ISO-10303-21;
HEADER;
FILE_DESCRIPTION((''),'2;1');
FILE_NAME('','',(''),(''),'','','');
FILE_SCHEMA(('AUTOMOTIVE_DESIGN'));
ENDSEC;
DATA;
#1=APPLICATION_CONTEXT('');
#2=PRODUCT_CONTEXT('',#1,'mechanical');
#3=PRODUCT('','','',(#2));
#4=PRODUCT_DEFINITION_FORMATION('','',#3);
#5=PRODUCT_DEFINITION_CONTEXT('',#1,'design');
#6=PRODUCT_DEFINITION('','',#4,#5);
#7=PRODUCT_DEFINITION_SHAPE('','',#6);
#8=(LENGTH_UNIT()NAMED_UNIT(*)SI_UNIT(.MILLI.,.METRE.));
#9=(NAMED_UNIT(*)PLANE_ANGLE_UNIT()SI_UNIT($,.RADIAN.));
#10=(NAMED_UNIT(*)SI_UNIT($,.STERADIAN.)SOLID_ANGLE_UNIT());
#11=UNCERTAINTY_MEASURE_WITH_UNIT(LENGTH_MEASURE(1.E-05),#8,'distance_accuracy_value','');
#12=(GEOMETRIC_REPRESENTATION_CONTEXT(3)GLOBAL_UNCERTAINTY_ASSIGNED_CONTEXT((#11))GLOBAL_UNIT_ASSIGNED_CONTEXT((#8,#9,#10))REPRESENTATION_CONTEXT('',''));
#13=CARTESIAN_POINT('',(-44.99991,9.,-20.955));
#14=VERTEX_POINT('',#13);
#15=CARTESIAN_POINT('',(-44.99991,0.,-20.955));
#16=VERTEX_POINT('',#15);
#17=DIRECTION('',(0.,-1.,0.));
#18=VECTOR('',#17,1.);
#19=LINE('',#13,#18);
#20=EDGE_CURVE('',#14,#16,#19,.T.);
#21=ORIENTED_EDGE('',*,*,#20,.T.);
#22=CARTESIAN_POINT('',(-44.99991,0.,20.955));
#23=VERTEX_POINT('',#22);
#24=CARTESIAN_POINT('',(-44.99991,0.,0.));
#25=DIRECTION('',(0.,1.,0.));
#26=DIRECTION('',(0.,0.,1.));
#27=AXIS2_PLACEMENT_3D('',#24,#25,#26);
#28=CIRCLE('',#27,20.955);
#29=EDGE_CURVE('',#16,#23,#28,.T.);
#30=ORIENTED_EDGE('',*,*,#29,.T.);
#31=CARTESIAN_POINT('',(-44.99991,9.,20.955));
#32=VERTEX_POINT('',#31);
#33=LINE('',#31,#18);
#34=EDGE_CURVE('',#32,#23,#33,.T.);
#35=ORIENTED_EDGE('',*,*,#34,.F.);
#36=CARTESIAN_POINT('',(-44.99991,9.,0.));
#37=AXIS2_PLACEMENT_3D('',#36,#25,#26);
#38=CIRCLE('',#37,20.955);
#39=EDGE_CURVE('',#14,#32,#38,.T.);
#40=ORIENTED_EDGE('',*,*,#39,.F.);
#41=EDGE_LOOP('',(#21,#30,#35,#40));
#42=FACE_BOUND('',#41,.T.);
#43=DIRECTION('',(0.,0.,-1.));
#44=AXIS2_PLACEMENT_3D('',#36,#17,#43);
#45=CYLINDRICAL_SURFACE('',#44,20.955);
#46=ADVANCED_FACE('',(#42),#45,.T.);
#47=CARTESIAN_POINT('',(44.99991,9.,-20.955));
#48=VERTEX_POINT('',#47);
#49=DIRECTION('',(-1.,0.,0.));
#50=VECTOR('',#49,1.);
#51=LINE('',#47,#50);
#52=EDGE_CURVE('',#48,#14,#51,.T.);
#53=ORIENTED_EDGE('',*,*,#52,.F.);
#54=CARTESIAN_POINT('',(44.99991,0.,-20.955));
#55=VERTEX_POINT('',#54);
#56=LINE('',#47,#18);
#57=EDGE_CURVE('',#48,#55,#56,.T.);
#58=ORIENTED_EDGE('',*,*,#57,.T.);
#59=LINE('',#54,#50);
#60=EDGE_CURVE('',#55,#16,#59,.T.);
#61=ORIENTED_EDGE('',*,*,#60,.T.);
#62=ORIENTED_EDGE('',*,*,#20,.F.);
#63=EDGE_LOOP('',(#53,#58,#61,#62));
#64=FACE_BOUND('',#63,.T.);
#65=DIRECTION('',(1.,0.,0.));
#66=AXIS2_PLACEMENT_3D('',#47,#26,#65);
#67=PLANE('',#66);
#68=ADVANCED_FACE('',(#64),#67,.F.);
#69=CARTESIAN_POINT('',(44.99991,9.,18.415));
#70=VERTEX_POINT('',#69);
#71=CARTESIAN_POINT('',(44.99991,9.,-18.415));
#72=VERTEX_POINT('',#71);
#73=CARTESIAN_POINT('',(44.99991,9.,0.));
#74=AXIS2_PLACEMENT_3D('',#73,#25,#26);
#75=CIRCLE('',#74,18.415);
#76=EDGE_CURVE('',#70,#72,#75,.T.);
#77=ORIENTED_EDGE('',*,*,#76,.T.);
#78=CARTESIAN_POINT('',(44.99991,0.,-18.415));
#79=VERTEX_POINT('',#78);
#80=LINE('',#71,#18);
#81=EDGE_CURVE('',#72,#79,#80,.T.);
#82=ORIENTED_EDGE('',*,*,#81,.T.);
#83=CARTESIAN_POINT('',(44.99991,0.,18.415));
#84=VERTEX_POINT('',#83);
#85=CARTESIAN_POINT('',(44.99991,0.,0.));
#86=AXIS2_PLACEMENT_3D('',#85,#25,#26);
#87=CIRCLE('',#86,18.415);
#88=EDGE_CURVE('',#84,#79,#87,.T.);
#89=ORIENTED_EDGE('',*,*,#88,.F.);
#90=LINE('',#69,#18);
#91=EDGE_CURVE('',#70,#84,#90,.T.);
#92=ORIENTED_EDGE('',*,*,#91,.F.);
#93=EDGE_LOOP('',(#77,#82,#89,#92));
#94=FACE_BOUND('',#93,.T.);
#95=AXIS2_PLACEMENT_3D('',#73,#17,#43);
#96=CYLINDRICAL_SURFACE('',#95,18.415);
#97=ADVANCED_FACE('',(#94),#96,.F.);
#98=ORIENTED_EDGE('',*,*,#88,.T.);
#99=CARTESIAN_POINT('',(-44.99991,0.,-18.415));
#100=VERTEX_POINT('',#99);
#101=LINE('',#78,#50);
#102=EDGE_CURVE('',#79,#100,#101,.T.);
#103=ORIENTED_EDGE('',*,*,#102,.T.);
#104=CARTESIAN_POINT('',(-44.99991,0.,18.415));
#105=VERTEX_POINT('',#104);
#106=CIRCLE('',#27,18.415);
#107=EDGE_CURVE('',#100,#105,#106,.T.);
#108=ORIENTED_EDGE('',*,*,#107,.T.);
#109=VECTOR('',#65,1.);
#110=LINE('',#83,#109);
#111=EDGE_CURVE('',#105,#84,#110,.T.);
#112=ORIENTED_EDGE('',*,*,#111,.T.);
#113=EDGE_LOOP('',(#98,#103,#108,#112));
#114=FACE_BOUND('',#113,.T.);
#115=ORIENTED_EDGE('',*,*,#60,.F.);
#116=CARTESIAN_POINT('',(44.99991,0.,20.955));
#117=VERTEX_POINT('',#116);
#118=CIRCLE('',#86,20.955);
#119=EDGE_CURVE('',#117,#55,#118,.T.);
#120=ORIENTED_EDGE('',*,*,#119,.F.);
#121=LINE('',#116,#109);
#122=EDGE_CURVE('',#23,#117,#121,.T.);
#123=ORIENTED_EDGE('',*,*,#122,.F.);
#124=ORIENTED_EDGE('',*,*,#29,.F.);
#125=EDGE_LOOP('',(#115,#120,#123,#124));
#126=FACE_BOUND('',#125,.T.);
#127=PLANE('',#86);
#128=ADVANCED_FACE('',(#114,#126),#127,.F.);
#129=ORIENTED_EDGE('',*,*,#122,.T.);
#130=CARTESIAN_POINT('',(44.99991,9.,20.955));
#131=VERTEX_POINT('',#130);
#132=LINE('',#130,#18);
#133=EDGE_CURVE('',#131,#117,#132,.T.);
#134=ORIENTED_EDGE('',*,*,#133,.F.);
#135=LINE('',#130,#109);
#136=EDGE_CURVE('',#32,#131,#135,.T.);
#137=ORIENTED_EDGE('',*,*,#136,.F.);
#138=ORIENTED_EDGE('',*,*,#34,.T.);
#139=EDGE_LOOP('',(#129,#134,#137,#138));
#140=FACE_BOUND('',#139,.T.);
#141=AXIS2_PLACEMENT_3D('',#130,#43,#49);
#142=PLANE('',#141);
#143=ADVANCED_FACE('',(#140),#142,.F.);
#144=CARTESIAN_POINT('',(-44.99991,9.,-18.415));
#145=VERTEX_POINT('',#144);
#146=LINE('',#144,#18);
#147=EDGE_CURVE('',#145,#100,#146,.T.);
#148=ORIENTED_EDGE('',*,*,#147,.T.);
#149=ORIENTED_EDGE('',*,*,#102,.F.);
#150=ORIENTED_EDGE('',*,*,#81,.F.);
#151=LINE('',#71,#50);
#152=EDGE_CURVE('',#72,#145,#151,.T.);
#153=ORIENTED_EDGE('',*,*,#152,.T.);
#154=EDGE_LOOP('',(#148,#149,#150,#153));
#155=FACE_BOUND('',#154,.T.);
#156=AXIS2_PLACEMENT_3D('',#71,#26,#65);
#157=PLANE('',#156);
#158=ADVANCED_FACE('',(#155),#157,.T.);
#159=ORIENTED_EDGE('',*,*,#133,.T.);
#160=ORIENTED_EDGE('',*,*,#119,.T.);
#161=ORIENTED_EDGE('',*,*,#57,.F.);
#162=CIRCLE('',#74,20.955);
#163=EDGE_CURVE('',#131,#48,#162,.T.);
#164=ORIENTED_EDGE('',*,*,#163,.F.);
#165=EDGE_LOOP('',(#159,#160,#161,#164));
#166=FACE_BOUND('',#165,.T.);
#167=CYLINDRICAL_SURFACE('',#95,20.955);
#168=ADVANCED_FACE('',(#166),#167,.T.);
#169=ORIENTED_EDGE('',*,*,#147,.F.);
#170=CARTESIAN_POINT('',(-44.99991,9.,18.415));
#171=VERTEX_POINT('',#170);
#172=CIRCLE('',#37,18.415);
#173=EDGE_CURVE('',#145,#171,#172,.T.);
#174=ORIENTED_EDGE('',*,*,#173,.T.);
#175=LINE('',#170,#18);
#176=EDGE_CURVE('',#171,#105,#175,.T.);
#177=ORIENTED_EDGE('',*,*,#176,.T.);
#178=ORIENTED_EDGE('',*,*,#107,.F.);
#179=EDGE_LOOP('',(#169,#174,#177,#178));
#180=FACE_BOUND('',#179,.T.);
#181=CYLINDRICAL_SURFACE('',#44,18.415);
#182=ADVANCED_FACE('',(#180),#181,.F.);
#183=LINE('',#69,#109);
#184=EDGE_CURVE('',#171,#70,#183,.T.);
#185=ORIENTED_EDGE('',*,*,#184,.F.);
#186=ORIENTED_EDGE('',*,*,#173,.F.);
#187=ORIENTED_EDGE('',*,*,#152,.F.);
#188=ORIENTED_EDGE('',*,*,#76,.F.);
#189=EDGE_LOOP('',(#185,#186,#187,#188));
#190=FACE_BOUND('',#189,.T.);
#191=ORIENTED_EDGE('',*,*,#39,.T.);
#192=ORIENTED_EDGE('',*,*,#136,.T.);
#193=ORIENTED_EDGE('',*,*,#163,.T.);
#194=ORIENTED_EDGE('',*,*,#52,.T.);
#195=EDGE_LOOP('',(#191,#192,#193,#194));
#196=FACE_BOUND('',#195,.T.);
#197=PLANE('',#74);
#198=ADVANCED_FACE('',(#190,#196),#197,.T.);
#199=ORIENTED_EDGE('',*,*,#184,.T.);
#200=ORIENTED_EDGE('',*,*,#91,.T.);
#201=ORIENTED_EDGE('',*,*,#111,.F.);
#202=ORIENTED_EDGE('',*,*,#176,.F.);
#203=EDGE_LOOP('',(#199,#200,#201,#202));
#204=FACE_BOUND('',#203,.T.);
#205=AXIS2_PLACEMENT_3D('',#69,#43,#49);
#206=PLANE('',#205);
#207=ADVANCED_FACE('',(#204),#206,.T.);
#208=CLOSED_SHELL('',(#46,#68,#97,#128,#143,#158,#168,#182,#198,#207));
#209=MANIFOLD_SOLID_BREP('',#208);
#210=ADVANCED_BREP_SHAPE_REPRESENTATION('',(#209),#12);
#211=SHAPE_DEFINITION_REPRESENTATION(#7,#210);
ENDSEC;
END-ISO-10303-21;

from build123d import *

# Parameters (mm, degrees)
BOSS_EXTRUDE1_DEPTH = 9


with BuildPart() as part:
    # Sketch1 → Boss-Extrude1 (new body)
    with BuildSketch(Plane(origin=(0, 0, 0), x_dir=(1, 0, 0), z_dir=(0, 1, 0))):
        with BuildLine():
            Line((44.99991, -20.955), (-44.99991, -20.955))
            ThreePointArc((-44.99991, -20.955), (-65.95491, 0), (-44.99991, 20.955))
            Line((-44.99991, 20.955), (44.99991, 20.955))
            ThreePointArc((44.99991, 20.955), (65.95491, 0), (44.99991, -20.955))
        make_face()
        with BuildLine():
            Line((44.99991, -18.415), (-44.99991, -18.415))
            ThreePointArc((-44.99991, -18.415), (-63.41491, 0), (-44.99991, 18.415))
            Line((-44.99991, 18.415), (44.99991, 18.415))
            ThreePointArc((44.99991, 18.415), (63.41491, 0), (44.99991, -18.415))
        make_face(mode=Mode.SUBTRACT)
    extrude(amount=BOSS_EXTRUDE1_DEPTH)


solid = part.part
